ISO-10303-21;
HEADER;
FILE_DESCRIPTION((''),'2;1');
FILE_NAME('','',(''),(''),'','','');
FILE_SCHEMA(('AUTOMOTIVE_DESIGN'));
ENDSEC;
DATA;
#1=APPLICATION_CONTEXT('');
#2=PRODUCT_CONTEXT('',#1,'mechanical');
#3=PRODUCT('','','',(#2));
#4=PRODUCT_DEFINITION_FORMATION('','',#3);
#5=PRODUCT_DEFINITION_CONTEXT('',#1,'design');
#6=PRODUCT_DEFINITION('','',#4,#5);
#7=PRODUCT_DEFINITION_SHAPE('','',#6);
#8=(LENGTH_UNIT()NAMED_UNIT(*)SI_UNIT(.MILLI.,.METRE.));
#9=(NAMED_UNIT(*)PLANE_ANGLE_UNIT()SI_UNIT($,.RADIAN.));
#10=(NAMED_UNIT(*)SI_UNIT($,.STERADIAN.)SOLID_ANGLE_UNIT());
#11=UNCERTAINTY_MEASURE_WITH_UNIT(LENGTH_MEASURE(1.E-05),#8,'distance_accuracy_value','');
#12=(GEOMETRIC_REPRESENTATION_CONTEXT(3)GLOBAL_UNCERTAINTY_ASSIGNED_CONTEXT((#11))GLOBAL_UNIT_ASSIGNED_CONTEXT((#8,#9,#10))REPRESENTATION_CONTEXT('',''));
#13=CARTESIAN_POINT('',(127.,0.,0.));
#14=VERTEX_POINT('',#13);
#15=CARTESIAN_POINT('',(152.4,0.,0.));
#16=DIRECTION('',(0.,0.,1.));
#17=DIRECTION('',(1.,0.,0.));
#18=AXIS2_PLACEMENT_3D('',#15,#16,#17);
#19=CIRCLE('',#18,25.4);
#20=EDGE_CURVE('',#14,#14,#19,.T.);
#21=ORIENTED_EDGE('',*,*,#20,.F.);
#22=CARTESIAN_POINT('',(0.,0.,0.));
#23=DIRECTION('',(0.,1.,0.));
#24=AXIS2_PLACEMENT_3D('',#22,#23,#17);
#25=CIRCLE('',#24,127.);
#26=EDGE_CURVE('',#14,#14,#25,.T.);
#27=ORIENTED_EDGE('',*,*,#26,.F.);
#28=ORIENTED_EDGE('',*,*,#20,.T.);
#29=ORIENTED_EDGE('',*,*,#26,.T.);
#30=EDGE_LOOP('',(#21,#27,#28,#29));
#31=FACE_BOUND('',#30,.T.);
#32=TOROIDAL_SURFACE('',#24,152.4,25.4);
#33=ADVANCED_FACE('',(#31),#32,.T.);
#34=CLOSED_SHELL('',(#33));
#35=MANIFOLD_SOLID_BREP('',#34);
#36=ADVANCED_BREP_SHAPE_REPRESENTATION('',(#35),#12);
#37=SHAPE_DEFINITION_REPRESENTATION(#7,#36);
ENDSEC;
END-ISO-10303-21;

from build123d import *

# Parameters (mm, degrees)
SWEEP1_PROFILE_R = 25.4


with BuildPart() as part:
    # Sweep1: sweep along a path in Sketch1
    with BuildLine(Plane(origin=(0, 0, 0), x_dir=(1, 0, 0), z_dir=(0, 1, 0))) as sweep1_path:
        CenterArc((0, 0), 152.4, 0, 360)
    # Sweep1 profile (on start of the path) → Sweep1 (sweep)
    with BuildSketch(Plane(origin=(152.4, 0, 0), x_dir=(-1, 0, 0), z_dir=(0, 0, -1))):
        Circle(SWEEP1_PROFILE_R)
    sweep(path=sweep1_path.line)


solid = part.part
